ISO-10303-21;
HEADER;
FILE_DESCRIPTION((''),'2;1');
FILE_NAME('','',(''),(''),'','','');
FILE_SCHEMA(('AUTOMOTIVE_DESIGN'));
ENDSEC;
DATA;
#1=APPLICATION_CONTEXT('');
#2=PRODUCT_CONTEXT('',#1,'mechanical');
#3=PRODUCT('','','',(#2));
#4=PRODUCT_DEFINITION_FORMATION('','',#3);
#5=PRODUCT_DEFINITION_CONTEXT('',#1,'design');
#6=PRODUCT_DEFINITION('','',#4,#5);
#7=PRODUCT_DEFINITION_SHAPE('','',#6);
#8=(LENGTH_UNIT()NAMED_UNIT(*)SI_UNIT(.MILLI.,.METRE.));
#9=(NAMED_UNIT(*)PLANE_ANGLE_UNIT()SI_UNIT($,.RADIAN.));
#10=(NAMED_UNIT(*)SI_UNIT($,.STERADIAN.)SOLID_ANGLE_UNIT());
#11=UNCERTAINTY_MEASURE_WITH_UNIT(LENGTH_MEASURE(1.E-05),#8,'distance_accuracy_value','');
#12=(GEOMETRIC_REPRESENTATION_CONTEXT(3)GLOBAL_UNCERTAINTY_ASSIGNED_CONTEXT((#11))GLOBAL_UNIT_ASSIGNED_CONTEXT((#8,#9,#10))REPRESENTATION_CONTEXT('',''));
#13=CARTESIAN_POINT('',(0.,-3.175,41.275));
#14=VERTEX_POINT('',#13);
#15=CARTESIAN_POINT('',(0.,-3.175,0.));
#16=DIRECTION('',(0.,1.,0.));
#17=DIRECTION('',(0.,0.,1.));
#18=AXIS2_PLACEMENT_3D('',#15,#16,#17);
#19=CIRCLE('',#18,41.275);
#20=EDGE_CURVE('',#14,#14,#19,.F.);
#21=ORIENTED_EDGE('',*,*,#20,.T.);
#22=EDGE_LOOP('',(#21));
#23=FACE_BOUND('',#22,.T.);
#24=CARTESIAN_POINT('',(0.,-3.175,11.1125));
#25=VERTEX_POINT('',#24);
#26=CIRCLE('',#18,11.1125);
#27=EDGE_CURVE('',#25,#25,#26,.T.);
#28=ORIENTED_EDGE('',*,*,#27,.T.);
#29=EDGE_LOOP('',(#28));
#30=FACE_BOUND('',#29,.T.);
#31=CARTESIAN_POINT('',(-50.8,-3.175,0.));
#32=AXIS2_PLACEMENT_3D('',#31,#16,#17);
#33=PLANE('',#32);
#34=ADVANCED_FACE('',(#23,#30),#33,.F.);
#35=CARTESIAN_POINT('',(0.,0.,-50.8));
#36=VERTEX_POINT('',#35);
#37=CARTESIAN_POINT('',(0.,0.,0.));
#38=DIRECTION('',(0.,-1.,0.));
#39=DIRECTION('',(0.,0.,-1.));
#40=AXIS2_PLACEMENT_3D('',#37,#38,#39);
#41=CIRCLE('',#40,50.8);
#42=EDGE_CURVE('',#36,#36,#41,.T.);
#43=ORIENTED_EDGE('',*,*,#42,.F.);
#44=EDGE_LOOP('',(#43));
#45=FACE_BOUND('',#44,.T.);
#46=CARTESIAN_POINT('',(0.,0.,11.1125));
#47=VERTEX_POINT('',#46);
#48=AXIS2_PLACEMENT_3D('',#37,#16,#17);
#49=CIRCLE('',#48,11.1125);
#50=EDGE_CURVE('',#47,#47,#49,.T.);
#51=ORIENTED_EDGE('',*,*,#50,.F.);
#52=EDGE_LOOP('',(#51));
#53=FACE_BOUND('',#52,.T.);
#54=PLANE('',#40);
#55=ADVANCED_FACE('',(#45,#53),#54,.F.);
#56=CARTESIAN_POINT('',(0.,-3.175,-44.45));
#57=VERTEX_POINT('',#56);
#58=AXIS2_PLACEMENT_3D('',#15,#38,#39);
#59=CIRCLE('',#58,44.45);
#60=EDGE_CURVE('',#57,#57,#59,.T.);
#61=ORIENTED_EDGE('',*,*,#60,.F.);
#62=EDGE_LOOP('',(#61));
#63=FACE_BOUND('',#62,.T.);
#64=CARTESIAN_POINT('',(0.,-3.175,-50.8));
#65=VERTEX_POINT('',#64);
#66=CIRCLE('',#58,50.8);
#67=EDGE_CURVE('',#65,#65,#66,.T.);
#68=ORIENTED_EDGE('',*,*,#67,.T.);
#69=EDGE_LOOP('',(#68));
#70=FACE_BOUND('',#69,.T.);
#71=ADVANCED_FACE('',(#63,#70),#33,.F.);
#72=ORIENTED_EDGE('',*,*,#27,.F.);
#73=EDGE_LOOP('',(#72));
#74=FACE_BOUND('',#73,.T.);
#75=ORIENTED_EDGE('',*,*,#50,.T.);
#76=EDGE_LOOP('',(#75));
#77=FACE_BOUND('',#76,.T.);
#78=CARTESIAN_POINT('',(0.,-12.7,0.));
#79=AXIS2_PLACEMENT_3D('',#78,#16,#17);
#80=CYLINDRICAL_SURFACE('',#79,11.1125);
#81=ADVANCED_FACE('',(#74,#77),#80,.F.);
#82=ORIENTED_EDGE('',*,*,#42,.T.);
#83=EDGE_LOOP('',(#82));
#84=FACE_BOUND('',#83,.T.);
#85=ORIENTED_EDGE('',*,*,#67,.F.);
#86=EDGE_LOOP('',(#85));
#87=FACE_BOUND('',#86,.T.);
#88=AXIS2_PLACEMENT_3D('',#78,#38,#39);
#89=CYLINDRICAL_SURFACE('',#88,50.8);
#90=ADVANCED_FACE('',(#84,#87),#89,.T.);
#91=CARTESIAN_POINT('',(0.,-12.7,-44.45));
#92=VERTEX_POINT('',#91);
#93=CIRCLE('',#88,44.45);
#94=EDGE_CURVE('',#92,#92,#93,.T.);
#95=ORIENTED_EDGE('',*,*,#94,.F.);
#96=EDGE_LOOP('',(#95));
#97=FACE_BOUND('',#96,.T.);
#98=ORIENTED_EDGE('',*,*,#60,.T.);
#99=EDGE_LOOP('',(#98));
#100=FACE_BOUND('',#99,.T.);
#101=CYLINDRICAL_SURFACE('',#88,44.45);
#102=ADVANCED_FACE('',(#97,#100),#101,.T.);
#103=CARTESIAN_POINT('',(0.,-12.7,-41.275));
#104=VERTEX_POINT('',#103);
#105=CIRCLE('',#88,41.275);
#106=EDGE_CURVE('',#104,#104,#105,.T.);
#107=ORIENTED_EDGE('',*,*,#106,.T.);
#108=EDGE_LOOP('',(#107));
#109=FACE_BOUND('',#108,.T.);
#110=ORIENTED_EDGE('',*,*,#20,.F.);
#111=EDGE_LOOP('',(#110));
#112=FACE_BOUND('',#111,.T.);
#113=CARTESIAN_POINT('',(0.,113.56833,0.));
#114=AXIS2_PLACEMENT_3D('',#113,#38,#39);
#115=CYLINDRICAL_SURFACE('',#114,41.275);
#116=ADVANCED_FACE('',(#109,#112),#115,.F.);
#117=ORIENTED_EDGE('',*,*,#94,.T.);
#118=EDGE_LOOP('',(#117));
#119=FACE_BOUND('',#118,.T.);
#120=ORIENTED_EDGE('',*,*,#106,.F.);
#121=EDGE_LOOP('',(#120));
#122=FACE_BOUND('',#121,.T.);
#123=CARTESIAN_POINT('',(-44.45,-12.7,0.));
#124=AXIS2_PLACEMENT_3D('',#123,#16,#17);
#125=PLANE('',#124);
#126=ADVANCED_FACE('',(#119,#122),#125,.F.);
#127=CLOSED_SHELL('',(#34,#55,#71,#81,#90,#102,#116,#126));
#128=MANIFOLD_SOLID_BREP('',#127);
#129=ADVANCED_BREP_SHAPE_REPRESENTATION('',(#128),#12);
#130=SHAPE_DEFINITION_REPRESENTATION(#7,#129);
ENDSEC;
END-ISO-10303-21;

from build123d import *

# Parameters (mm, degrees)
SKETCH2_R          = 41.275
CUT_EXTRUDE1_DEPTH = 9.525
SKETCH3_R          = 11.1125
CUT_EXTRUDE2_DEPTH = 13.7


with BuildPart() as part:
    # Sketch1 → Revolve1 (revolve)
    with BuildSketch(Plane.XY):
        Polygon((0, 0), (-50.8, 0), (-50.8, -3.175), (-44.45, -3.175), (-44.45, -12.7), (0, -12.7), align=None)
    revolve(axis=Axis((0, -12.7, 0), (0, 1, 0)))

    # Sketch2 → Cut-Extrude1 (cut)
    with BuildSketch(Plane.XZ.offset(12.7)):
        Circle(SKETCH2_R)
    extrude(amount=-CUT_EXTRUDE1_DEPTH, mode=Mode.SUBTRACT)

    # Sketch3 → Cut-Extrude2 (cut, through all)
    with BuildSketch(Plane(origin=(0, 0, 0), x_dir=(1, 0, 0), z_dir=(0, 1, 0))):
        Circle(SKETCH3_R)
    extrude(amount=-CUT_EXTRUDE2_DEPTH, mode=Mode.SUBTRACT)


solid = part.part
